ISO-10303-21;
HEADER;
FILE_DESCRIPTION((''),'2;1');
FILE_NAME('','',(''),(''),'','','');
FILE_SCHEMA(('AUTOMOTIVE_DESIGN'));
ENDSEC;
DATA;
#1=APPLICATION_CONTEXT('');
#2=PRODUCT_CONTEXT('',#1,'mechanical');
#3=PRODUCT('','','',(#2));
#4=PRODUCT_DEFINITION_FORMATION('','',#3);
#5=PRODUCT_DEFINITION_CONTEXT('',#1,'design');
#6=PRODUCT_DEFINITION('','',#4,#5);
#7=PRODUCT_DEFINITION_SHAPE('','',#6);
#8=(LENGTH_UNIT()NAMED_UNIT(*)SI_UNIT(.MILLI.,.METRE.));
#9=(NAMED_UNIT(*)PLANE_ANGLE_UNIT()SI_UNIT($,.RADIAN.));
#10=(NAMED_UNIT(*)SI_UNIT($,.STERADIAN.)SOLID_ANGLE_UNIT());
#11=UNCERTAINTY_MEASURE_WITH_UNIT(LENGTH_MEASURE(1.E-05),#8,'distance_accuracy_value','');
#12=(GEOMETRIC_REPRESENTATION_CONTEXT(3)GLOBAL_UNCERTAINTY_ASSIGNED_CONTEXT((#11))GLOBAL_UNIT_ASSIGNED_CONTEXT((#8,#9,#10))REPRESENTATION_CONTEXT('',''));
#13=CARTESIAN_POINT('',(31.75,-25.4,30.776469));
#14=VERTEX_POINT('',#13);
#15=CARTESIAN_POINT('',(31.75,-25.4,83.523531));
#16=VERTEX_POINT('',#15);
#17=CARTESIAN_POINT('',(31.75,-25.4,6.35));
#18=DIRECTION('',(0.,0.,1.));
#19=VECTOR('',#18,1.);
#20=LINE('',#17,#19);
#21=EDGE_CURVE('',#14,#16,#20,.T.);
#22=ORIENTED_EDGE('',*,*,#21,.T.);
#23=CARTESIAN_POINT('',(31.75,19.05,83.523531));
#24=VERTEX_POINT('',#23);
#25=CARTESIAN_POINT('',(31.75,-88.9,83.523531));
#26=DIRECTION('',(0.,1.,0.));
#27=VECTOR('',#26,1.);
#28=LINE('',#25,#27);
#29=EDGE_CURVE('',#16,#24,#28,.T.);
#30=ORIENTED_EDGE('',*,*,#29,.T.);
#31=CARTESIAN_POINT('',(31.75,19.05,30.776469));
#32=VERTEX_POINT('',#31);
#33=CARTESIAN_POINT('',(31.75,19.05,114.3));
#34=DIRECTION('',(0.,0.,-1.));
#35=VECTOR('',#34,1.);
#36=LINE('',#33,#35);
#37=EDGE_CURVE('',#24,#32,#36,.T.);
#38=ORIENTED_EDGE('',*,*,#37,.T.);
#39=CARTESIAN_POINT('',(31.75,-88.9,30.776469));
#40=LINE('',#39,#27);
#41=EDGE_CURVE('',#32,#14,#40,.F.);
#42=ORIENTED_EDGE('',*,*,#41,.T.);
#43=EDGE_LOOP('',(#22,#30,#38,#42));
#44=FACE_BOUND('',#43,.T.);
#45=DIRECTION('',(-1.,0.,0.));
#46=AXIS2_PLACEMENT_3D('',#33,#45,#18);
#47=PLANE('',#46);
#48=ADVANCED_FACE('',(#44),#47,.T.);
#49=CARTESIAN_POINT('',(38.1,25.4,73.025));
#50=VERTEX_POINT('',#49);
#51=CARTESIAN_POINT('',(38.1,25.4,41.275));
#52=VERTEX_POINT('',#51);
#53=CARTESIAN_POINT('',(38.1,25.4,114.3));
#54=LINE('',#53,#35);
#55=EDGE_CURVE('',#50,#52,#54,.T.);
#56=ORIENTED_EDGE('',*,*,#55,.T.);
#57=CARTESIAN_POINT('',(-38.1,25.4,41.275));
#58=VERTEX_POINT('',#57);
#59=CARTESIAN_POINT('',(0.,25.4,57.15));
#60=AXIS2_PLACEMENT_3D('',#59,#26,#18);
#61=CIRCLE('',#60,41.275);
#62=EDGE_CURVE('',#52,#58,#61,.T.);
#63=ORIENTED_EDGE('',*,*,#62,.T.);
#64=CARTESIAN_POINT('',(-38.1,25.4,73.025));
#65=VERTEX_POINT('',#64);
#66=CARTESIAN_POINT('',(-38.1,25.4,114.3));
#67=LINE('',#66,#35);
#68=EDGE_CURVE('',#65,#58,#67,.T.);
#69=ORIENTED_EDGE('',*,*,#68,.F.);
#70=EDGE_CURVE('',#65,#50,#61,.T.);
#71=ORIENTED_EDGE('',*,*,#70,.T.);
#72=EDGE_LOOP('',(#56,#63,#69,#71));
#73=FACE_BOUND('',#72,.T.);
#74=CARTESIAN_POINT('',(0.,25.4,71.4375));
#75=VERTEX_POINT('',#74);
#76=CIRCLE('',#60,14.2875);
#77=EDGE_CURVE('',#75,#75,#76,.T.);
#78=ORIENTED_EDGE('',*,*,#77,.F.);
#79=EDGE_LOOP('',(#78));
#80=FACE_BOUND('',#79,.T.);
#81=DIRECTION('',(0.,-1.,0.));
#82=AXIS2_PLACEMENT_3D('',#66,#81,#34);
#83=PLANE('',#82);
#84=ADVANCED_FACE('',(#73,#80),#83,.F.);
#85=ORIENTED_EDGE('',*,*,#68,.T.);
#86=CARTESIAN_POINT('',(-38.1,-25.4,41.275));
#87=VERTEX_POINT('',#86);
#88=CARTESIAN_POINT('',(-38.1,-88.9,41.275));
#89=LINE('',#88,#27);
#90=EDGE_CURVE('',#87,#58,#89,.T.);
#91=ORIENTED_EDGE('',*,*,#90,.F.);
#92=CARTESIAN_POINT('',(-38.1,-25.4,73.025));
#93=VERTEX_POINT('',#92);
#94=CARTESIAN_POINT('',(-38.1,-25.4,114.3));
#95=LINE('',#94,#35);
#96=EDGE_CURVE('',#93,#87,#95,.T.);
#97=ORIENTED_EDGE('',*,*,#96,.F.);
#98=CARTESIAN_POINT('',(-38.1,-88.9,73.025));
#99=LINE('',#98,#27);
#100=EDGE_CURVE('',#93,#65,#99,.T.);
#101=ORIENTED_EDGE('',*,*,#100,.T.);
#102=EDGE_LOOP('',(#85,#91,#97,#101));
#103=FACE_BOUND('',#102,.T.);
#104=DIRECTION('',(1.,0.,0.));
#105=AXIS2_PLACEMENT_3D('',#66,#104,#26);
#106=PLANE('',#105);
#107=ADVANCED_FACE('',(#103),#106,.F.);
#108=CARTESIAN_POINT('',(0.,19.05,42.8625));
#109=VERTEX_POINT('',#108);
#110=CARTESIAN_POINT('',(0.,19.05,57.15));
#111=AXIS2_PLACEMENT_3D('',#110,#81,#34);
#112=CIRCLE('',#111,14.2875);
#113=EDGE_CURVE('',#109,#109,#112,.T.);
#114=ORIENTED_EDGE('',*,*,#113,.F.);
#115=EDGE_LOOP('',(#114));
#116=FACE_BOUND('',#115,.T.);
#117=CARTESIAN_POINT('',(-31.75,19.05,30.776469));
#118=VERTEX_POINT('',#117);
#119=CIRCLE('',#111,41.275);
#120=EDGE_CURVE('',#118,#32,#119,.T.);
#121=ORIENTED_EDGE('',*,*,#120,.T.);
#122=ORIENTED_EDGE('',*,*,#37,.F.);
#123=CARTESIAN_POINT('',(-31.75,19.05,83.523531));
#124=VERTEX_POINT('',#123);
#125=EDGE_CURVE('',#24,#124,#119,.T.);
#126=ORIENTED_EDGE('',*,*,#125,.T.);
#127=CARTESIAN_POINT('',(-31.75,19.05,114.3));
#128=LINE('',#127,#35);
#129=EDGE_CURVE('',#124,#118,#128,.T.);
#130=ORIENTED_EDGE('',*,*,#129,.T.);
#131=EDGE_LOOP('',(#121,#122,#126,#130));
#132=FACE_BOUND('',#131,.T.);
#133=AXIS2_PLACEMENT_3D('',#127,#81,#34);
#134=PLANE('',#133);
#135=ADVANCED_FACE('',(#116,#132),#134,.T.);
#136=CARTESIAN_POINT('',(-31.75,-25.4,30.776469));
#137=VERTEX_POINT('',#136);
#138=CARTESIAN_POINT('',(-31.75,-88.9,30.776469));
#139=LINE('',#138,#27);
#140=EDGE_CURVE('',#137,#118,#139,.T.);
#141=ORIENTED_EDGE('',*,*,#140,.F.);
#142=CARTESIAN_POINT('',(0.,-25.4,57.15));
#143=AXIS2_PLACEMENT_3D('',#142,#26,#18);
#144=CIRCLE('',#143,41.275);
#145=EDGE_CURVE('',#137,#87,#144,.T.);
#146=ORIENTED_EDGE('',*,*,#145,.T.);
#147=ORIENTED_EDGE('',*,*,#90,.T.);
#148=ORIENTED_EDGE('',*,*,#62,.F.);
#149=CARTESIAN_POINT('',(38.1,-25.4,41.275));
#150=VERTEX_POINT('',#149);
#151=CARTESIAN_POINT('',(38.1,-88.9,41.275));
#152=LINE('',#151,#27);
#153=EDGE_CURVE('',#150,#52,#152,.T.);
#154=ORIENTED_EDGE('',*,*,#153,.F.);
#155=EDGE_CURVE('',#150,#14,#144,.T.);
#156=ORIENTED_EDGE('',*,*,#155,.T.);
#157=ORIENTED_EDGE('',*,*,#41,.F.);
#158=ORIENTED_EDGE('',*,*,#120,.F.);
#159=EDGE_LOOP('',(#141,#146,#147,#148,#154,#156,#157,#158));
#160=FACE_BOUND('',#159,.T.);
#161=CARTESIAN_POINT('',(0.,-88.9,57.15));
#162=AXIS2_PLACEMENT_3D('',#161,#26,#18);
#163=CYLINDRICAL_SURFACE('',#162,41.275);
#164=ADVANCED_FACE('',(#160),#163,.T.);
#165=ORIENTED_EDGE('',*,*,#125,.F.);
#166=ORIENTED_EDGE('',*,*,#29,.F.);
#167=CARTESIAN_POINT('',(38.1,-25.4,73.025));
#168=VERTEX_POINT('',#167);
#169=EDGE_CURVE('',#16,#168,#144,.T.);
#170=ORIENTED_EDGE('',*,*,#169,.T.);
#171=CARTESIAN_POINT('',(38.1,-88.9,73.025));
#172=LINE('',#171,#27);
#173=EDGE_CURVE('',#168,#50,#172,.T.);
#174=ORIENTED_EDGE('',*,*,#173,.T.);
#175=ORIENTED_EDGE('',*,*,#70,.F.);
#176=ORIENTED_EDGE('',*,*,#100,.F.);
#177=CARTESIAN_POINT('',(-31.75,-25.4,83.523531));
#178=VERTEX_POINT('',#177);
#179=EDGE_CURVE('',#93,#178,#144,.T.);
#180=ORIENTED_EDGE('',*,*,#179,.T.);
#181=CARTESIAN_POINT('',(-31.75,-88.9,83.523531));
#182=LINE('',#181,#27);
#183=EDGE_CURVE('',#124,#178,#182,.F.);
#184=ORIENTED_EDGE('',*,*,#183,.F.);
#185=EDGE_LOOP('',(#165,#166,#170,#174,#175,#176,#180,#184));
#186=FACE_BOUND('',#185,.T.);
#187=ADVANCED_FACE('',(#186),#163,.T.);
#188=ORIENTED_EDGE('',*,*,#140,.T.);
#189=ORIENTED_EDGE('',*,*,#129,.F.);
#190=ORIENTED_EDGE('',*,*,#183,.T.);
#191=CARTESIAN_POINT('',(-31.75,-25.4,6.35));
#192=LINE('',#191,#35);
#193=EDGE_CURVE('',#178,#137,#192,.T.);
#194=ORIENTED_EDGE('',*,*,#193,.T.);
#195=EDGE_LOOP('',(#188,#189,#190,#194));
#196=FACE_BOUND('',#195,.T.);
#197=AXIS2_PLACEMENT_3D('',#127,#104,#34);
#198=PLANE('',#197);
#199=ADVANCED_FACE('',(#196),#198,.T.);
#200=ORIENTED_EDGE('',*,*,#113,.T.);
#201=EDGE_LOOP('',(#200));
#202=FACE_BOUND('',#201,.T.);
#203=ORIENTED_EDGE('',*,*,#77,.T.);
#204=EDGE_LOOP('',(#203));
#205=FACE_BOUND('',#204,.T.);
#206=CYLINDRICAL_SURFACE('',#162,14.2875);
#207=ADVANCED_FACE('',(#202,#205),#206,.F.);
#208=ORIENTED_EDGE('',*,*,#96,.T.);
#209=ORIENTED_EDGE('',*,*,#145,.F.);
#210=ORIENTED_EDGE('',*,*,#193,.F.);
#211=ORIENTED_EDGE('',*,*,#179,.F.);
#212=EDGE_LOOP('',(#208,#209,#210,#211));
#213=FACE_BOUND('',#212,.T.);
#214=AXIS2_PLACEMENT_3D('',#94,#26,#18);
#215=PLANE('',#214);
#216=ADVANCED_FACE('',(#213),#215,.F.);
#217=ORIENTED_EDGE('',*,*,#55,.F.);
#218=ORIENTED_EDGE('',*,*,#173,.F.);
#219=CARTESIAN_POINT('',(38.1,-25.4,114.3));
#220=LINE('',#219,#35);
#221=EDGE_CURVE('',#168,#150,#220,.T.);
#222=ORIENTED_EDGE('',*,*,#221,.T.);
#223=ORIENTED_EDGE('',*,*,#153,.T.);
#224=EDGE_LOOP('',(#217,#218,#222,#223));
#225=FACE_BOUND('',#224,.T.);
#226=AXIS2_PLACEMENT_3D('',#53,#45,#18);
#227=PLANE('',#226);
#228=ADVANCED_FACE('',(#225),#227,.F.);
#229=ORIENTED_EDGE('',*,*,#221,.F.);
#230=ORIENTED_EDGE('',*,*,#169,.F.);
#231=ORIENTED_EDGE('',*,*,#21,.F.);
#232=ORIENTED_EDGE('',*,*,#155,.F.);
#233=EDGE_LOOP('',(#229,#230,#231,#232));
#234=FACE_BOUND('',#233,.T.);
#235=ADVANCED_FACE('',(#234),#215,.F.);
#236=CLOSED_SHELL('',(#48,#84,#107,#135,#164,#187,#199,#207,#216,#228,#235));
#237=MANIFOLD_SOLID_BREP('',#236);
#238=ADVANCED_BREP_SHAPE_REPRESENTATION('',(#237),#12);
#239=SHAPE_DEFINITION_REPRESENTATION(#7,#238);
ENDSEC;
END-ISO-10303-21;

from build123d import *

# Parameters (mm, degrees)
SKETCH1_W           = 76.2
SKETCH1_H           = 50.8
SKETCH1_W_2         = 63.5
SKETCH1_H_2         = 38.1
BOSS_EXTRUDE1_DEPTH = 114.3
SKETCH2_R           = 14.2875
CUT_EXTRUDE2_DEPTH  = 114.3
SKETCH3_W           = 63.5
SKETCH3_H           = 101.6
CUT_EXTRUDE3_DEPTH  = 7.62


with BuildPart() as part:
    # Sketch1 → Boss-Extrude1 (new body)
    with BuildSketch(Plane.XY):
        Rectangle(SKETCH1_W, SKETCH1_H)
        Rectangle(SKETCH1_W_2, SKETCH1_H_2, mode=Mode.SUBTRACT)
    extrude(amount=BOSS_EXTRUDE1_DEPTH)

    # Sketch2 → Cut-Extrude2 (cut)
    with BuildSketch(Plane(origin=(0, 25.4, 0), x_dir=(1, 0, 0), z_dir=(0, 1, 0))):
        with BuildLine():
            Line((38.1, -114.3), (38.1, -73.025))
            ThreePointArc((38.1, -73.025), (0, -98.425), (-38.1, -73.025))
            Line((-38.1, -73.025), (-38.1, -114.3))
            Line((-38.1, -114.3), (38.1, -114.3))
        make_face()
        with Locations((0, -57.15)):
            Circle(SKETCH2_R)
        with BuildLine():
            ThreePointArc((-38.1, -41.275), (0, -15.875), (38.1, -41.275))
            Line((38.1, -41.275), (38.1, 0))
            Line((38.1, 0), (-38.1, 0))
            Line((-38.1, 0), (-38.1, -41.275))
        make_face()
    extrude(amount=-CUT_EXTRUDE2_DEPTH, mode=Mode.SUBTRACT)

    # Sketch3 → Cut-Extrude3 (cut)
    with BuildSketch(Plane.XZ.offset(25.4)):
        with Locations((0, 57.15)):
            Rectangle(SKETCH3_W, SKETCH3_H)
    extrude(amount=-CUT_EXTRUDE3_DEPTH, mode=Mode.SUBTRACT)


solid = part.part
